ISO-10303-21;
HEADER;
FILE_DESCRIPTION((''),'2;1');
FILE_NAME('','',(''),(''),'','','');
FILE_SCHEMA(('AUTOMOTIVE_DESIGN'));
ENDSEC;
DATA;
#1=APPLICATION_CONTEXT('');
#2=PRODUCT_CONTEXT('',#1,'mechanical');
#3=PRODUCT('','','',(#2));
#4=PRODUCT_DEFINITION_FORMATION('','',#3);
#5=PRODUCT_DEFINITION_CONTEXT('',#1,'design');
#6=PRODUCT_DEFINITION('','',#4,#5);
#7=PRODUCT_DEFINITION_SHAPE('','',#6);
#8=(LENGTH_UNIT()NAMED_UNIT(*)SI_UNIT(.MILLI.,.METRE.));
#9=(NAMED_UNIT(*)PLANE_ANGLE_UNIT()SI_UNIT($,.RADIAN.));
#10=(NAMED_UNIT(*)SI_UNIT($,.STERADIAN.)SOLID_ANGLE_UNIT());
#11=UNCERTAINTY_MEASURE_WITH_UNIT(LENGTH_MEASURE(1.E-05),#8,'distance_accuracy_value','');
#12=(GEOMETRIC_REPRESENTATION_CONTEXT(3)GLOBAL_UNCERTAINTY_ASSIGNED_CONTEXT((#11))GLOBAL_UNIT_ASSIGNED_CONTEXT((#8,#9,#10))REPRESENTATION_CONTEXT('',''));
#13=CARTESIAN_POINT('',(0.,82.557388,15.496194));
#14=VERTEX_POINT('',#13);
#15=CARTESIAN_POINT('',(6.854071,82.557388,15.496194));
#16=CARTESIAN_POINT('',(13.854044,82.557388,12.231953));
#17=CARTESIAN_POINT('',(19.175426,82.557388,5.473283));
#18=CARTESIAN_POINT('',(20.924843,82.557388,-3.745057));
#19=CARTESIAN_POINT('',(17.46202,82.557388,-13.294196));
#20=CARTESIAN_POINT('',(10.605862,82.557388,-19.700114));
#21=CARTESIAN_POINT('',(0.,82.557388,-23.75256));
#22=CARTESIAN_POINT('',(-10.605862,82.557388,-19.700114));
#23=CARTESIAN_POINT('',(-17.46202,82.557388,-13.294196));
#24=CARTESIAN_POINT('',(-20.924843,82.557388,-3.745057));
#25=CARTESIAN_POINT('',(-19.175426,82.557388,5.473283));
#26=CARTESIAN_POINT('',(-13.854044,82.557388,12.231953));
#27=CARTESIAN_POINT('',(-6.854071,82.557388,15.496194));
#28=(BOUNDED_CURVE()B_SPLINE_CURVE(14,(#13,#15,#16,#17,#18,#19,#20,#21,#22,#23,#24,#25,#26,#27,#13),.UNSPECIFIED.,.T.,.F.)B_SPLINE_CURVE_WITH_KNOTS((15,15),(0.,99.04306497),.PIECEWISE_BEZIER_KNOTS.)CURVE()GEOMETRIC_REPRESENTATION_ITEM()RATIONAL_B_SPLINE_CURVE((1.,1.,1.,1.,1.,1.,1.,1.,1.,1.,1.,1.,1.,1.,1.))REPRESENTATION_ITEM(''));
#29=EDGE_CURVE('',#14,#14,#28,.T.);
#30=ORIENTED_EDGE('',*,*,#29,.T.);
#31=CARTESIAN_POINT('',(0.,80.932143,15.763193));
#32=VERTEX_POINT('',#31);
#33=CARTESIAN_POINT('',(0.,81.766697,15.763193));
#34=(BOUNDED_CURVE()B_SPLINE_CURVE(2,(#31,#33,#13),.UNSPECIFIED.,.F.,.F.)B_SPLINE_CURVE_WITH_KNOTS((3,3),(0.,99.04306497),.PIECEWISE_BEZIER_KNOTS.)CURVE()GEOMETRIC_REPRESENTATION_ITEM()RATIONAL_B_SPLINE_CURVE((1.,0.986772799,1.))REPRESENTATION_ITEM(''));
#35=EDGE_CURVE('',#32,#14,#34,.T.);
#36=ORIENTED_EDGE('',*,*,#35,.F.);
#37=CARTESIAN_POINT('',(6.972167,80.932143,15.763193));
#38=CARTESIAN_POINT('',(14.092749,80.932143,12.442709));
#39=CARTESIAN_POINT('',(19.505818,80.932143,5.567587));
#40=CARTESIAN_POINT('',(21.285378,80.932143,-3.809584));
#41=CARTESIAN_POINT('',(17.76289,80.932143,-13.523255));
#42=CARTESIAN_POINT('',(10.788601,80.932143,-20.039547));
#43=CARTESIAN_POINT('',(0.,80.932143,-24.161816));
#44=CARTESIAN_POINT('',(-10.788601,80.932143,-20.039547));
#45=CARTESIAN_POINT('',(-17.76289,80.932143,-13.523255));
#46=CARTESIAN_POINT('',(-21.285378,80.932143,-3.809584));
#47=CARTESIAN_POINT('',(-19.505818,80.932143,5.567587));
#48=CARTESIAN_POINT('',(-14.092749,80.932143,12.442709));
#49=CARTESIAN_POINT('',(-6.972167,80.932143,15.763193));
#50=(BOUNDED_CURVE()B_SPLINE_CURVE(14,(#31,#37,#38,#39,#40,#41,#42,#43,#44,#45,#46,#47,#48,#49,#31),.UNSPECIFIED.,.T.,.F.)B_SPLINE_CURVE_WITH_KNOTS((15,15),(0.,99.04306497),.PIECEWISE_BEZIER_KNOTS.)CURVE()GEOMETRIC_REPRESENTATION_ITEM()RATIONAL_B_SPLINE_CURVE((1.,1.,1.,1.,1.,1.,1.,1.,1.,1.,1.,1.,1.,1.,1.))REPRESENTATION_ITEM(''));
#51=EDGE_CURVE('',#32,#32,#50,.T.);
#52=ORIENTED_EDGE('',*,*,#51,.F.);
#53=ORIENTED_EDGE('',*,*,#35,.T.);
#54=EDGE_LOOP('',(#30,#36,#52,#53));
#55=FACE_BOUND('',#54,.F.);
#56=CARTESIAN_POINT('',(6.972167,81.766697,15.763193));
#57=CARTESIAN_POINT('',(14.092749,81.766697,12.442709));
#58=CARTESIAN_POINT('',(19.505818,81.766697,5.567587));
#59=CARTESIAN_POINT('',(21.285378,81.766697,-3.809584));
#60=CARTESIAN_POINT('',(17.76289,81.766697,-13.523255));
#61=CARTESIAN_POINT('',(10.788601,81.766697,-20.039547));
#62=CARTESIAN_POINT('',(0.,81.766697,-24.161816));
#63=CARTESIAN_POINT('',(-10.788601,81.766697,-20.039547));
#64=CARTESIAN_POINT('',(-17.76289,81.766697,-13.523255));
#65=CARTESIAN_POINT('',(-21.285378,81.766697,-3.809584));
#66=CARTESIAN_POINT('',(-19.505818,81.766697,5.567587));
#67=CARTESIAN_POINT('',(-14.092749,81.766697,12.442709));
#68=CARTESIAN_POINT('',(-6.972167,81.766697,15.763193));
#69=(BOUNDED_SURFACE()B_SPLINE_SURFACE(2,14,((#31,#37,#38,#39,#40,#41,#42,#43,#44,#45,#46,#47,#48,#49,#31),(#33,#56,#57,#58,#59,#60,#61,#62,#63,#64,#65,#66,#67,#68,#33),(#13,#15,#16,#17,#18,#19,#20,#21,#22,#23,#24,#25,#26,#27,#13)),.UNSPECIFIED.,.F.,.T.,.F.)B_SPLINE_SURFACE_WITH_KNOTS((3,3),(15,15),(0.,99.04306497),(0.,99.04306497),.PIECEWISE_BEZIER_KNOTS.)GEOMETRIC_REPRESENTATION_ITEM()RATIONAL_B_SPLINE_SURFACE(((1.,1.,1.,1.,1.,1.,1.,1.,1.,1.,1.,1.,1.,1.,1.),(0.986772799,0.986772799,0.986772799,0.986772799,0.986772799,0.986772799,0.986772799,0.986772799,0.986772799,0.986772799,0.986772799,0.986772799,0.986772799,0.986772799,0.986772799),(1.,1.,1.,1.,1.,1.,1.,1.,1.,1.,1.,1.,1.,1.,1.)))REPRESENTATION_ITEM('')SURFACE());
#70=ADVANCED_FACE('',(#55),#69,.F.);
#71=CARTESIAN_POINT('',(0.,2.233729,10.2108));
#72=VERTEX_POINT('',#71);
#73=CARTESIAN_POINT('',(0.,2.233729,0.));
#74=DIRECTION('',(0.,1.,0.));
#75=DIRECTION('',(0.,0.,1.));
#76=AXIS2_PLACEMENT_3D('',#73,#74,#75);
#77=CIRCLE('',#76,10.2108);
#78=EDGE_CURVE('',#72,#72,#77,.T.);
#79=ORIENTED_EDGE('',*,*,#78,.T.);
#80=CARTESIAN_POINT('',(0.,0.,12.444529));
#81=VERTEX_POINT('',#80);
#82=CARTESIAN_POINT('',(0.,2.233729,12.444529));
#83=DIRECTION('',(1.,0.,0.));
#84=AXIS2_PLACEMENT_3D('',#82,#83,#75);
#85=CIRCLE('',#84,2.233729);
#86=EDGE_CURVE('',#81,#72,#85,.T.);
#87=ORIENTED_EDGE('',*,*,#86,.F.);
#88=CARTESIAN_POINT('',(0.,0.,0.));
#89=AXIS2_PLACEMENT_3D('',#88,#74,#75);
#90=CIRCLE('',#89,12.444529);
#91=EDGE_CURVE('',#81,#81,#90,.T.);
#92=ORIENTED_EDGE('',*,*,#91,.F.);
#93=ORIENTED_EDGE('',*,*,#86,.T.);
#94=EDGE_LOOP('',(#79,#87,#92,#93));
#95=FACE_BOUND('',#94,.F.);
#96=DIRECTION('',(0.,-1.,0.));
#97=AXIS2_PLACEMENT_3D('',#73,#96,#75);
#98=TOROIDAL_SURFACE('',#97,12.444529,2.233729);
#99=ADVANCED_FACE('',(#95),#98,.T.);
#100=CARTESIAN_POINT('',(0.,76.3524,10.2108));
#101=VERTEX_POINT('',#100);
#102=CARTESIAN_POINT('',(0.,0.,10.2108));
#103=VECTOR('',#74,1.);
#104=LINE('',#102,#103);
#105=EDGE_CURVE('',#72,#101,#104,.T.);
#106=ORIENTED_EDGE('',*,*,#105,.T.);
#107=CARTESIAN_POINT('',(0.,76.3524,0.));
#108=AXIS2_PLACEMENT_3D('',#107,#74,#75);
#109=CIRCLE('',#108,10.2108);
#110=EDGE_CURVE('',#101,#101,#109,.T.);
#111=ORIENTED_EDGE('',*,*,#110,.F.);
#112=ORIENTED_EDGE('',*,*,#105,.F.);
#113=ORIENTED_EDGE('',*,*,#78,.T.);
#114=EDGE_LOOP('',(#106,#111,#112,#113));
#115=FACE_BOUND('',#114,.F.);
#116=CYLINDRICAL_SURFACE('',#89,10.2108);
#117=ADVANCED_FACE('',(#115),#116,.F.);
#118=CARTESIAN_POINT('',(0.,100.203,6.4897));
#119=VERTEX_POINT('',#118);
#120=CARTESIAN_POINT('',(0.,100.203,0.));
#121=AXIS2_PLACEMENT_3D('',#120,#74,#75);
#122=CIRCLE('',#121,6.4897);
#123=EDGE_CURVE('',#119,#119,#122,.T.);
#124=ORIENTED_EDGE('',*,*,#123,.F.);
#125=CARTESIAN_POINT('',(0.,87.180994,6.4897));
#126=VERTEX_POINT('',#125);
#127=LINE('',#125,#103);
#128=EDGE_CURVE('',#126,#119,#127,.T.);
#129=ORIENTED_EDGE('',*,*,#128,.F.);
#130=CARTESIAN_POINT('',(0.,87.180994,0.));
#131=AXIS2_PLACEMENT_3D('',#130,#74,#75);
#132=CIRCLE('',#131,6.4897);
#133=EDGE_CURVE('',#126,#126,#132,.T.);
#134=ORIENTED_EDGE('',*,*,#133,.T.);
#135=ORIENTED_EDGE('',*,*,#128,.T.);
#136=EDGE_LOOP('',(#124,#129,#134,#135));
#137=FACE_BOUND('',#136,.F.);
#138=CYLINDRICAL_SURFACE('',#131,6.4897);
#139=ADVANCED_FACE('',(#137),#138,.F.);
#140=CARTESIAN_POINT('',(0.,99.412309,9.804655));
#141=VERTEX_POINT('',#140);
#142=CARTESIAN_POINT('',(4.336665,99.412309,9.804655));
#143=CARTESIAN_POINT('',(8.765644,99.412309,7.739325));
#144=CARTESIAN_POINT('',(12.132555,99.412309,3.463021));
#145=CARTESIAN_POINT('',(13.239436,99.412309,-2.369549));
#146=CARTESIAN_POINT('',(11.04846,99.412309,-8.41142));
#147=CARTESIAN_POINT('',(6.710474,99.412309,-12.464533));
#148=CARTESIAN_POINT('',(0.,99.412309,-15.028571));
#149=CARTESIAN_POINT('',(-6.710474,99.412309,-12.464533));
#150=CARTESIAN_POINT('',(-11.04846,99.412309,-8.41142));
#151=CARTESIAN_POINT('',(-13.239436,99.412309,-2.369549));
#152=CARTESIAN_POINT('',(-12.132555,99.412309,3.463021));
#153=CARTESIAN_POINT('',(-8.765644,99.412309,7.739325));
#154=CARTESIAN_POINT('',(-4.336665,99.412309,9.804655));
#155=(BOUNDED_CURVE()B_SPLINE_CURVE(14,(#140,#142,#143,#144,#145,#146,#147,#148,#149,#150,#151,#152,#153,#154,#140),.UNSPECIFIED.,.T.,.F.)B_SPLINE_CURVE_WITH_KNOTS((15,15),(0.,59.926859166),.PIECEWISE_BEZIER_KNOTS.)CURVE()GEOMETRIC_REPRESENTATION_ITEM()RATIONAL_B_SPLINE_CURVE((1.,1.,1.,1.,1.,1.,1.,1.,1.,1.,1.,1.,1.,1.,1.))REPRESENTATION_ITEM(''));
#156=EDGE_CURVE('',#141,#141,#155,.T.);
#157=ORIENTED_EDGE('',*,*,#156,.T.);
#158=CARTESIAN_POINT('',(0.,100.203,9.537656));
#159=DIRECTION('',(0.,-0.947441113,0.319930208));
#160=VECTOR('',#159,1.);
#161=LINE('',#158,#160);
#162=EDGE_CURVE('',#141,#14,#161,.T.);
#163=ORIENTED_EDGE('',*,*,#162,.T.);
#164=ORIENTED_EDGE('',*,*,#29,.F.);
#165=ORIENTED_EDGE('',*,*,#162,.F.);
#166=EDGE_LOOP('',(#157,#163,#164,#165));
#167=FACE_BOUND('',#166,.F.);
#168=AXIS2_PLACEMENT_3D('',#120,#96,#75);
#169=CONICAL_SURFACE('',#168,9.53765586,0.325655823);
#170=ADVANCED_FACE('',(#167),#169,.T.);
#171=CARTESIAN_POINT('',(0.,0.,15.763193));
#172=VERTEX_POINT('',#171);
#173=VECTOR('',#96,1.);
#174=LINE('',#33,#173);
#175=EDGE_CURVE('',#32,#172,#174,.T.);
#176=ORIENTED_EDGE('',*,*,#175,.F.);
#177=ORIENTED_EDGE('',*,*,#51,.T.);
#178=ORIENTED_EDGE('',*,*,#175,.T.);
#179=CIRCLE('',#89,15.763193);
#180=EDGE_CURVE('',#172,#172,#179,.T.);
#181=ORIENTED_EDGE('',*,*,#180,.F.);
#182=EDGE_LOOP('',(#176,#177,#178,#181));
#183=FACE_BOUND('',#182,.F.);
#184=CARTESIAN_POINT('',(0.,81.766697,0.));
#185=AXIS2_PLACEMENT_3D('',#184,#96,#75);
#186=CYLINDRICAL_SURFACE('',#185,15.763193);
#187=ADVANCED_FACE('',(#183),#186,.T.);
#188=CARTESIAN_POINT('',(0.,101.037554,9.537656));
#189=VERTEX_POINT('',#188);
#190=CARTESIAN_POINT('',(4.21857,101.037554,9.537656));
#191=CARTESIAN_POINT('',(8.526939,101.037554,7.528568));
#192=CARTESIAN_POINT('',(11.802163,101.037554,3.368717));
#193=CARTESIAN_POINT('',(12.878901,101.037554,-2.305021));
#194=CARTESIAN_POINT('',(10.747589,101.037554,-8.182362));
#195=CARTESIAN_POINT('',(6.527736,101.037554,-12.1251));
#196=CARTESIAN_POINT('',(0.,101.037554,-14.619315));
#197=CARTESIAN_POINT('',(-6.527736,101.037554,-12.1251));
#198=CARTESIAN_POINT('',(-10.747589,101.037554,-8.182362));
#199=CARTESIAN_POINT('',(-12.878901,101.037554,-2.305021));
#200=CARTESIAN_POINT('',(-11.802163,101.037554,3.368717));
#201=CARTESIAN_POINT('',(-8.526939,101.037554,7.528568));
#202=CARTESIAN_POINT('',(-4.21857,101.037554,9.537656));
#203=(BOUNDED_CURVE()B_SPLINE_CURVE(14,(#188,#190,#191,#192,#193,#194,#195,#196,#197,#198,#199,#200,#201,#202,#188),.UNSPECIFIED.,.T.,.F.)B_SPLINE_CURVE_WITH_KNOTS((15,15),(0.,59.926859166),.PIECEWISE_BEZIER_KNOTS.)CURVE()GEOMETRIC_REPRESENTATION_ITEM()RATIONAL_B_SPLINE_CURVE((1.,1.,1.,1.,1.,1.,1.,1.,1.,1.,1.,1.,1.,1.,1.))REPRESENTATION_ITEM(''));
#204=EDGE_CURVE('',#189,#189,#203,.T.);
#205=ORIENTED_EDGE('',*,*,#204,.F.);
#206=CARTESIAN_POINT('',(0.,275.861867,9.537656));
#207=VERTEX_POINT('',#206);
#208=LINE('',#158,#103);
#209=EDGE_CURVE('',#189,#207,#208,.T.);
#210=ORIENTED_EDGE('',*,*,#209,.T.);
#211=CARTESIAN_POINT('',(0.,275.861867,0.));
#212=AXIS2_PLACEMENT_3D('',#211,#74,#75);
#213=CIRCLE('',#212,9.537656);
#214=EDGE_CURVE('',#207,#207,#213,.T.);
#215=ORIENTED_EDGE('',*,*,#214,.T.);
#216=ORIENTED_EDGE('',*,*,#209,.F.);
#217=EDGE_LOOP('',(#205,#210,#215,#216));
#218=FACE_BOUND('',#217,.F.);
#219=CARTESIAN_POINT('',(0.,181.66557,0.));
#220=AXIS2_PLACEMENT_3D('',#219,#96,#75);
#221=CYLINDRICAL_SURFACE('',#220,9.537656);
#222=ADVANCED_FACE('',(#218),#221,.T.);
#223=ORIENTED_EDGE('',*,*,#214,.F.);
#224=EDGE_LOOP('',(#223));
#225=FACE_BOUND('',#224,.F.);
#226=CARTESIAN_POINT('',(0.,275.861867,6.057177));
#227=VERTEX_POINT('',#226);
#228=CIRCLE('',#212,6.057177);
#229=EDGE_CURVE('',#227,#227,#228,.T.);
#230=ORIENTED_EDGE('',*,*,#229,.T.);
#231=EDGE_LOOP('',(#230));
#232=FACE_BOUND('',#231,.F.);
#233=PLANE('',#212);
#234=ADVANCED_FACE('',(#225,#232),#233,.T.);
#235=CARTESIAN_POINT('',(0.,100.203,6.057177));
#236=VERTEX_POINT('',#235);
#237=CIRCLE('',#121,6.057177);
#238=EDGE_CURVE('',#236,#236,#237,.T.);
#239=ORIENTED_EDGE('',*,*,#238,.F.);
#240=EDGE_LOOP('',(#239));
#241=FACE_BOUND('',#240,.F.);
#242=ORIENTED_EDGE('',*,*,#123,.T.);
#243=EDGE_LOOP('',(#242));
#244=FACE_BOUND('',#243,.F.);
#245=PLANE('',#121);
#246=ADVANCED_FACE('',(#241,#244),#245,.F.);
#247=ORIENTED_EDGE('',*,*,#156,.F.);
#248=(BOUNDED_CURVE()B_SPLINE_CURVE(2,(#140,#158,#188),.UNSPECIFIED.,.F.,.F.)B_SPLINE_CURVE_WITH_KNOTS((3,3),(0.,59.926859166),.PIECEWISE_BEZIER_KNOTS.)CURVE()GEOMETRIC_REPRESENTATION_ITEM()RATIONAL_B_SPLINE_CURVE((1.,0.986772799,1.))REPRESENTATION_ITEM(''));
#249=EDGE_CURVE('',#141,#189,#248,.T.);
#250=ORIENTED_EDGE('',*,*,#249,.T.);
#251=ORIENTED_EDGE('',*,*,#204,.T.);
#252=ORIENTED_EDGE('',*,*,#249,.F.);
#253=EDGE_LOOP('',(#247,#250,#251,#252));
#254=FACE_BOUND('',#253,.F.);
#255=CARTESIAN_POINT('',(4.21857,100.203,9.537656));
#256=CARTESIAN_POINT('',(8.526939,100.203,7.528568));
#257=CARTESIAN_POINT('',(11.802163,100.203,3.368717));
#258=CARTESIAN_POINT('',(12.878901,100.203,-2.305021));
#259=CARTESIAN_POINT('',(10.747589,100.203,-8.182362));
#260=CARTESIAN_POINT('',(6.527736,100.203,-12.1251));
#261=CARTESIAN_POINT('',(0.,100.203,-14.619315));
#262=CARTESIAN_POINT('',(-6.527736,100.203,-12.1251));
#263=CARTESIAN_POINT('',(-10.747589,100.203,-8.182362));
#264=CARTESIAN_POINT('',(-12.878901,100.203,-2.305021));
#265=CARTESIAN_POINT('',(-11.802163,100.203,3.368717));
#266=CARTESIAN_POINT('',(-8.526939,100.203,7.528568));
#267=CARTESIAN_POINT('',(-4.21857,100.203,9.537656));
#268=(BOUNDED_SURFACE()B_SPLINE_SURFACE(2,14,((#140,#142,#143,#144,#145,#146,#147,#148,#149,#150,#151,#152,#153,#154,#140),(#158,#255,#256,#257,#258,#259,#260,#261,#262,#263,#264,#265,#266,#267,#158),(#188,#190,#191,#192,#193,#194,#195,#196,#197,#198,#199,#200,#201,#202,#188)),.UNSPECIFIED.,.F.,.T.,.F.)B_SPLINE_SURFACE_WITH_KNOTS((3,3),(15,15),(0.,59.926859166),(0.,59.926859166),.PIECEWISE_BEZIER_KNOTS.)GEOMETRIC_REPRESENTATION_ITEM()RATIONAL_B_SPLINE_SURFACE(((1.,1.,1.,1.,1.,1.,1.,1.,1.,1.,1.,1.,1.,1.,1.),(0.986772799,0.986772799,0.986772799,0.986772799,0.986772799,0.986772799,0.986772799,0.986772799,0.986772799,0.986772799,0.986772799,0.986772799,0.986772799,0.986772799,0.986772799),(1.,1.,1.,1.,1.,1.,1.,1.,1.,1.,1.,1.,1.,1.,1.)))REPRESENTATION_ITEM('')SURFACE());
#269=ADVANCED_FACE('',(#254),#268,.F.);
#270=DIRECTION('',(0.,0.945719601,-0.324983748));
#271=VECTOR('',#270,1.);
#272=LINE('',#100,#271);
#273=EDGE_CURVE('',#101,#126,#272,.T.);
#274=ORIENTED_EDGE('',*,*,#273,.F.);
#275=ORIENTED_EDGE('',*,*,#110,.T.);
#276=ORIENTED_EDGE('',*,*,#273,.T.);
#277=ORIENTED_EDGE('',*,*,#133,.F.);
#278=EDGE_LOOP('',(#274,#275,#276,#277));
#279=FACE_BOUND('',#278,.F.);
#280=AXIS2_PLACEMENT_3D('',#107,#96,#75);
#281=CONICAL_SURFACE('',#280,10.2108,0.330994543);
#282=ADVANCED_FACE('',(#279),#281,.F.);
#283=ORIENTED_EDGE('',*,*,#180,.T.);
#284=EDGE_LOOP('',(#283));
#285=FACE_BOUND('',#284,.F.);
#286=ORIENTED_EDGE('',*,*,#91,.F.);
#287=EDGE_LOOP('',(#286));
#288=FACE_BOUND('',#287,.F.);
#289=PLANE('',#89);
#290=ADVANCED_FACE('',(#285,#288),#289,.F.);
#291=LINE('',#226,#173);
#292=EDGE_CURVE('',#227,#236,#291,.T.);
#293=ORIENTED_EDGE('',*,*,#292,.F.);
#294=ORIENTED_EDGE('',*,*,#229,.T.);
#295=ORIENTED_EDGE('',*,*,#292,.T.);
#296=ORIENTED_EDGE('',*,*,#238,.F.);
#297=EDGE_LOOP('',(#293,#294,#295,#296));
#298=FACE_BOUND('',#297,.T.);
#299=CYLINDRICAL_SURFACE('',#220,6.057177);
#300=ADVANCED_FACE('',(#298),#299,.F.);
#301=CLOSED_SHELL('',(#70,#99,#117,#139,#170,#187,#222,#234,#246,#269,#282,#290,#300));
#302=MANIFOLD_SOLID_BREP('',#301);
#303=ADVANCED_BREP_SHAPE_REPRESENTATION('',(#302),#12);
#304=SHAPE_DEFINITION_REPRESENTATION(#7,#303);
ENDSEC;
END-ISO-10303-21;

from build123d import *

# Parameters (mm, degrees)
F2_R     = 2.2337294629
F3_DEPTH = 94.1962972283
F4_R     = 5.08


with BuildPart() as f1:
    # F0 (on Right) → F1 (revolve)
    with BuildSketch(Plane.YZ):
        Polygon((87.180994451, 6.4897), (100.203, 6.4897), (100.203, 6.0571772046), (181.6655695438, 6.0571772046), (181.6655695438, 9.5376558602), (100.203, 9.5376558602), (81.7666972255, 15.7631933689), (0, 15.7631933689), (0, 10.2108), (6.6675017588, 10.2108), (76.3524, 10.2108), align=None)
    revolve(axis=Axis((0, 3.5269334912, 0), (0, 1, 0)))

    # F2
    f2_edges = [f1.edges().sort_by_distance(p)[0] for p in [
        (0, 0, -10.2108),
    ]]
    fillet(f2_edges, radius=F2_R)

    # F3 (add): a face of the model
    f3_faces = [f1.faces().sort_by_distance(p)[0] for p in [
        (0, 181.6655695438, -6.3269428501),
    ]]
    extrude(f3_faces, amount=F3_DEPTH)

    # F4
    f4_edges = [f1.edges().sort_by_distance(p)[0] for p in [
        (0, 81.766697, -15.763193),
        (0, 100.203, -9.537656),
    ]]
    fillet(f4_edges, radius=F4_R)


solid = f1.part
